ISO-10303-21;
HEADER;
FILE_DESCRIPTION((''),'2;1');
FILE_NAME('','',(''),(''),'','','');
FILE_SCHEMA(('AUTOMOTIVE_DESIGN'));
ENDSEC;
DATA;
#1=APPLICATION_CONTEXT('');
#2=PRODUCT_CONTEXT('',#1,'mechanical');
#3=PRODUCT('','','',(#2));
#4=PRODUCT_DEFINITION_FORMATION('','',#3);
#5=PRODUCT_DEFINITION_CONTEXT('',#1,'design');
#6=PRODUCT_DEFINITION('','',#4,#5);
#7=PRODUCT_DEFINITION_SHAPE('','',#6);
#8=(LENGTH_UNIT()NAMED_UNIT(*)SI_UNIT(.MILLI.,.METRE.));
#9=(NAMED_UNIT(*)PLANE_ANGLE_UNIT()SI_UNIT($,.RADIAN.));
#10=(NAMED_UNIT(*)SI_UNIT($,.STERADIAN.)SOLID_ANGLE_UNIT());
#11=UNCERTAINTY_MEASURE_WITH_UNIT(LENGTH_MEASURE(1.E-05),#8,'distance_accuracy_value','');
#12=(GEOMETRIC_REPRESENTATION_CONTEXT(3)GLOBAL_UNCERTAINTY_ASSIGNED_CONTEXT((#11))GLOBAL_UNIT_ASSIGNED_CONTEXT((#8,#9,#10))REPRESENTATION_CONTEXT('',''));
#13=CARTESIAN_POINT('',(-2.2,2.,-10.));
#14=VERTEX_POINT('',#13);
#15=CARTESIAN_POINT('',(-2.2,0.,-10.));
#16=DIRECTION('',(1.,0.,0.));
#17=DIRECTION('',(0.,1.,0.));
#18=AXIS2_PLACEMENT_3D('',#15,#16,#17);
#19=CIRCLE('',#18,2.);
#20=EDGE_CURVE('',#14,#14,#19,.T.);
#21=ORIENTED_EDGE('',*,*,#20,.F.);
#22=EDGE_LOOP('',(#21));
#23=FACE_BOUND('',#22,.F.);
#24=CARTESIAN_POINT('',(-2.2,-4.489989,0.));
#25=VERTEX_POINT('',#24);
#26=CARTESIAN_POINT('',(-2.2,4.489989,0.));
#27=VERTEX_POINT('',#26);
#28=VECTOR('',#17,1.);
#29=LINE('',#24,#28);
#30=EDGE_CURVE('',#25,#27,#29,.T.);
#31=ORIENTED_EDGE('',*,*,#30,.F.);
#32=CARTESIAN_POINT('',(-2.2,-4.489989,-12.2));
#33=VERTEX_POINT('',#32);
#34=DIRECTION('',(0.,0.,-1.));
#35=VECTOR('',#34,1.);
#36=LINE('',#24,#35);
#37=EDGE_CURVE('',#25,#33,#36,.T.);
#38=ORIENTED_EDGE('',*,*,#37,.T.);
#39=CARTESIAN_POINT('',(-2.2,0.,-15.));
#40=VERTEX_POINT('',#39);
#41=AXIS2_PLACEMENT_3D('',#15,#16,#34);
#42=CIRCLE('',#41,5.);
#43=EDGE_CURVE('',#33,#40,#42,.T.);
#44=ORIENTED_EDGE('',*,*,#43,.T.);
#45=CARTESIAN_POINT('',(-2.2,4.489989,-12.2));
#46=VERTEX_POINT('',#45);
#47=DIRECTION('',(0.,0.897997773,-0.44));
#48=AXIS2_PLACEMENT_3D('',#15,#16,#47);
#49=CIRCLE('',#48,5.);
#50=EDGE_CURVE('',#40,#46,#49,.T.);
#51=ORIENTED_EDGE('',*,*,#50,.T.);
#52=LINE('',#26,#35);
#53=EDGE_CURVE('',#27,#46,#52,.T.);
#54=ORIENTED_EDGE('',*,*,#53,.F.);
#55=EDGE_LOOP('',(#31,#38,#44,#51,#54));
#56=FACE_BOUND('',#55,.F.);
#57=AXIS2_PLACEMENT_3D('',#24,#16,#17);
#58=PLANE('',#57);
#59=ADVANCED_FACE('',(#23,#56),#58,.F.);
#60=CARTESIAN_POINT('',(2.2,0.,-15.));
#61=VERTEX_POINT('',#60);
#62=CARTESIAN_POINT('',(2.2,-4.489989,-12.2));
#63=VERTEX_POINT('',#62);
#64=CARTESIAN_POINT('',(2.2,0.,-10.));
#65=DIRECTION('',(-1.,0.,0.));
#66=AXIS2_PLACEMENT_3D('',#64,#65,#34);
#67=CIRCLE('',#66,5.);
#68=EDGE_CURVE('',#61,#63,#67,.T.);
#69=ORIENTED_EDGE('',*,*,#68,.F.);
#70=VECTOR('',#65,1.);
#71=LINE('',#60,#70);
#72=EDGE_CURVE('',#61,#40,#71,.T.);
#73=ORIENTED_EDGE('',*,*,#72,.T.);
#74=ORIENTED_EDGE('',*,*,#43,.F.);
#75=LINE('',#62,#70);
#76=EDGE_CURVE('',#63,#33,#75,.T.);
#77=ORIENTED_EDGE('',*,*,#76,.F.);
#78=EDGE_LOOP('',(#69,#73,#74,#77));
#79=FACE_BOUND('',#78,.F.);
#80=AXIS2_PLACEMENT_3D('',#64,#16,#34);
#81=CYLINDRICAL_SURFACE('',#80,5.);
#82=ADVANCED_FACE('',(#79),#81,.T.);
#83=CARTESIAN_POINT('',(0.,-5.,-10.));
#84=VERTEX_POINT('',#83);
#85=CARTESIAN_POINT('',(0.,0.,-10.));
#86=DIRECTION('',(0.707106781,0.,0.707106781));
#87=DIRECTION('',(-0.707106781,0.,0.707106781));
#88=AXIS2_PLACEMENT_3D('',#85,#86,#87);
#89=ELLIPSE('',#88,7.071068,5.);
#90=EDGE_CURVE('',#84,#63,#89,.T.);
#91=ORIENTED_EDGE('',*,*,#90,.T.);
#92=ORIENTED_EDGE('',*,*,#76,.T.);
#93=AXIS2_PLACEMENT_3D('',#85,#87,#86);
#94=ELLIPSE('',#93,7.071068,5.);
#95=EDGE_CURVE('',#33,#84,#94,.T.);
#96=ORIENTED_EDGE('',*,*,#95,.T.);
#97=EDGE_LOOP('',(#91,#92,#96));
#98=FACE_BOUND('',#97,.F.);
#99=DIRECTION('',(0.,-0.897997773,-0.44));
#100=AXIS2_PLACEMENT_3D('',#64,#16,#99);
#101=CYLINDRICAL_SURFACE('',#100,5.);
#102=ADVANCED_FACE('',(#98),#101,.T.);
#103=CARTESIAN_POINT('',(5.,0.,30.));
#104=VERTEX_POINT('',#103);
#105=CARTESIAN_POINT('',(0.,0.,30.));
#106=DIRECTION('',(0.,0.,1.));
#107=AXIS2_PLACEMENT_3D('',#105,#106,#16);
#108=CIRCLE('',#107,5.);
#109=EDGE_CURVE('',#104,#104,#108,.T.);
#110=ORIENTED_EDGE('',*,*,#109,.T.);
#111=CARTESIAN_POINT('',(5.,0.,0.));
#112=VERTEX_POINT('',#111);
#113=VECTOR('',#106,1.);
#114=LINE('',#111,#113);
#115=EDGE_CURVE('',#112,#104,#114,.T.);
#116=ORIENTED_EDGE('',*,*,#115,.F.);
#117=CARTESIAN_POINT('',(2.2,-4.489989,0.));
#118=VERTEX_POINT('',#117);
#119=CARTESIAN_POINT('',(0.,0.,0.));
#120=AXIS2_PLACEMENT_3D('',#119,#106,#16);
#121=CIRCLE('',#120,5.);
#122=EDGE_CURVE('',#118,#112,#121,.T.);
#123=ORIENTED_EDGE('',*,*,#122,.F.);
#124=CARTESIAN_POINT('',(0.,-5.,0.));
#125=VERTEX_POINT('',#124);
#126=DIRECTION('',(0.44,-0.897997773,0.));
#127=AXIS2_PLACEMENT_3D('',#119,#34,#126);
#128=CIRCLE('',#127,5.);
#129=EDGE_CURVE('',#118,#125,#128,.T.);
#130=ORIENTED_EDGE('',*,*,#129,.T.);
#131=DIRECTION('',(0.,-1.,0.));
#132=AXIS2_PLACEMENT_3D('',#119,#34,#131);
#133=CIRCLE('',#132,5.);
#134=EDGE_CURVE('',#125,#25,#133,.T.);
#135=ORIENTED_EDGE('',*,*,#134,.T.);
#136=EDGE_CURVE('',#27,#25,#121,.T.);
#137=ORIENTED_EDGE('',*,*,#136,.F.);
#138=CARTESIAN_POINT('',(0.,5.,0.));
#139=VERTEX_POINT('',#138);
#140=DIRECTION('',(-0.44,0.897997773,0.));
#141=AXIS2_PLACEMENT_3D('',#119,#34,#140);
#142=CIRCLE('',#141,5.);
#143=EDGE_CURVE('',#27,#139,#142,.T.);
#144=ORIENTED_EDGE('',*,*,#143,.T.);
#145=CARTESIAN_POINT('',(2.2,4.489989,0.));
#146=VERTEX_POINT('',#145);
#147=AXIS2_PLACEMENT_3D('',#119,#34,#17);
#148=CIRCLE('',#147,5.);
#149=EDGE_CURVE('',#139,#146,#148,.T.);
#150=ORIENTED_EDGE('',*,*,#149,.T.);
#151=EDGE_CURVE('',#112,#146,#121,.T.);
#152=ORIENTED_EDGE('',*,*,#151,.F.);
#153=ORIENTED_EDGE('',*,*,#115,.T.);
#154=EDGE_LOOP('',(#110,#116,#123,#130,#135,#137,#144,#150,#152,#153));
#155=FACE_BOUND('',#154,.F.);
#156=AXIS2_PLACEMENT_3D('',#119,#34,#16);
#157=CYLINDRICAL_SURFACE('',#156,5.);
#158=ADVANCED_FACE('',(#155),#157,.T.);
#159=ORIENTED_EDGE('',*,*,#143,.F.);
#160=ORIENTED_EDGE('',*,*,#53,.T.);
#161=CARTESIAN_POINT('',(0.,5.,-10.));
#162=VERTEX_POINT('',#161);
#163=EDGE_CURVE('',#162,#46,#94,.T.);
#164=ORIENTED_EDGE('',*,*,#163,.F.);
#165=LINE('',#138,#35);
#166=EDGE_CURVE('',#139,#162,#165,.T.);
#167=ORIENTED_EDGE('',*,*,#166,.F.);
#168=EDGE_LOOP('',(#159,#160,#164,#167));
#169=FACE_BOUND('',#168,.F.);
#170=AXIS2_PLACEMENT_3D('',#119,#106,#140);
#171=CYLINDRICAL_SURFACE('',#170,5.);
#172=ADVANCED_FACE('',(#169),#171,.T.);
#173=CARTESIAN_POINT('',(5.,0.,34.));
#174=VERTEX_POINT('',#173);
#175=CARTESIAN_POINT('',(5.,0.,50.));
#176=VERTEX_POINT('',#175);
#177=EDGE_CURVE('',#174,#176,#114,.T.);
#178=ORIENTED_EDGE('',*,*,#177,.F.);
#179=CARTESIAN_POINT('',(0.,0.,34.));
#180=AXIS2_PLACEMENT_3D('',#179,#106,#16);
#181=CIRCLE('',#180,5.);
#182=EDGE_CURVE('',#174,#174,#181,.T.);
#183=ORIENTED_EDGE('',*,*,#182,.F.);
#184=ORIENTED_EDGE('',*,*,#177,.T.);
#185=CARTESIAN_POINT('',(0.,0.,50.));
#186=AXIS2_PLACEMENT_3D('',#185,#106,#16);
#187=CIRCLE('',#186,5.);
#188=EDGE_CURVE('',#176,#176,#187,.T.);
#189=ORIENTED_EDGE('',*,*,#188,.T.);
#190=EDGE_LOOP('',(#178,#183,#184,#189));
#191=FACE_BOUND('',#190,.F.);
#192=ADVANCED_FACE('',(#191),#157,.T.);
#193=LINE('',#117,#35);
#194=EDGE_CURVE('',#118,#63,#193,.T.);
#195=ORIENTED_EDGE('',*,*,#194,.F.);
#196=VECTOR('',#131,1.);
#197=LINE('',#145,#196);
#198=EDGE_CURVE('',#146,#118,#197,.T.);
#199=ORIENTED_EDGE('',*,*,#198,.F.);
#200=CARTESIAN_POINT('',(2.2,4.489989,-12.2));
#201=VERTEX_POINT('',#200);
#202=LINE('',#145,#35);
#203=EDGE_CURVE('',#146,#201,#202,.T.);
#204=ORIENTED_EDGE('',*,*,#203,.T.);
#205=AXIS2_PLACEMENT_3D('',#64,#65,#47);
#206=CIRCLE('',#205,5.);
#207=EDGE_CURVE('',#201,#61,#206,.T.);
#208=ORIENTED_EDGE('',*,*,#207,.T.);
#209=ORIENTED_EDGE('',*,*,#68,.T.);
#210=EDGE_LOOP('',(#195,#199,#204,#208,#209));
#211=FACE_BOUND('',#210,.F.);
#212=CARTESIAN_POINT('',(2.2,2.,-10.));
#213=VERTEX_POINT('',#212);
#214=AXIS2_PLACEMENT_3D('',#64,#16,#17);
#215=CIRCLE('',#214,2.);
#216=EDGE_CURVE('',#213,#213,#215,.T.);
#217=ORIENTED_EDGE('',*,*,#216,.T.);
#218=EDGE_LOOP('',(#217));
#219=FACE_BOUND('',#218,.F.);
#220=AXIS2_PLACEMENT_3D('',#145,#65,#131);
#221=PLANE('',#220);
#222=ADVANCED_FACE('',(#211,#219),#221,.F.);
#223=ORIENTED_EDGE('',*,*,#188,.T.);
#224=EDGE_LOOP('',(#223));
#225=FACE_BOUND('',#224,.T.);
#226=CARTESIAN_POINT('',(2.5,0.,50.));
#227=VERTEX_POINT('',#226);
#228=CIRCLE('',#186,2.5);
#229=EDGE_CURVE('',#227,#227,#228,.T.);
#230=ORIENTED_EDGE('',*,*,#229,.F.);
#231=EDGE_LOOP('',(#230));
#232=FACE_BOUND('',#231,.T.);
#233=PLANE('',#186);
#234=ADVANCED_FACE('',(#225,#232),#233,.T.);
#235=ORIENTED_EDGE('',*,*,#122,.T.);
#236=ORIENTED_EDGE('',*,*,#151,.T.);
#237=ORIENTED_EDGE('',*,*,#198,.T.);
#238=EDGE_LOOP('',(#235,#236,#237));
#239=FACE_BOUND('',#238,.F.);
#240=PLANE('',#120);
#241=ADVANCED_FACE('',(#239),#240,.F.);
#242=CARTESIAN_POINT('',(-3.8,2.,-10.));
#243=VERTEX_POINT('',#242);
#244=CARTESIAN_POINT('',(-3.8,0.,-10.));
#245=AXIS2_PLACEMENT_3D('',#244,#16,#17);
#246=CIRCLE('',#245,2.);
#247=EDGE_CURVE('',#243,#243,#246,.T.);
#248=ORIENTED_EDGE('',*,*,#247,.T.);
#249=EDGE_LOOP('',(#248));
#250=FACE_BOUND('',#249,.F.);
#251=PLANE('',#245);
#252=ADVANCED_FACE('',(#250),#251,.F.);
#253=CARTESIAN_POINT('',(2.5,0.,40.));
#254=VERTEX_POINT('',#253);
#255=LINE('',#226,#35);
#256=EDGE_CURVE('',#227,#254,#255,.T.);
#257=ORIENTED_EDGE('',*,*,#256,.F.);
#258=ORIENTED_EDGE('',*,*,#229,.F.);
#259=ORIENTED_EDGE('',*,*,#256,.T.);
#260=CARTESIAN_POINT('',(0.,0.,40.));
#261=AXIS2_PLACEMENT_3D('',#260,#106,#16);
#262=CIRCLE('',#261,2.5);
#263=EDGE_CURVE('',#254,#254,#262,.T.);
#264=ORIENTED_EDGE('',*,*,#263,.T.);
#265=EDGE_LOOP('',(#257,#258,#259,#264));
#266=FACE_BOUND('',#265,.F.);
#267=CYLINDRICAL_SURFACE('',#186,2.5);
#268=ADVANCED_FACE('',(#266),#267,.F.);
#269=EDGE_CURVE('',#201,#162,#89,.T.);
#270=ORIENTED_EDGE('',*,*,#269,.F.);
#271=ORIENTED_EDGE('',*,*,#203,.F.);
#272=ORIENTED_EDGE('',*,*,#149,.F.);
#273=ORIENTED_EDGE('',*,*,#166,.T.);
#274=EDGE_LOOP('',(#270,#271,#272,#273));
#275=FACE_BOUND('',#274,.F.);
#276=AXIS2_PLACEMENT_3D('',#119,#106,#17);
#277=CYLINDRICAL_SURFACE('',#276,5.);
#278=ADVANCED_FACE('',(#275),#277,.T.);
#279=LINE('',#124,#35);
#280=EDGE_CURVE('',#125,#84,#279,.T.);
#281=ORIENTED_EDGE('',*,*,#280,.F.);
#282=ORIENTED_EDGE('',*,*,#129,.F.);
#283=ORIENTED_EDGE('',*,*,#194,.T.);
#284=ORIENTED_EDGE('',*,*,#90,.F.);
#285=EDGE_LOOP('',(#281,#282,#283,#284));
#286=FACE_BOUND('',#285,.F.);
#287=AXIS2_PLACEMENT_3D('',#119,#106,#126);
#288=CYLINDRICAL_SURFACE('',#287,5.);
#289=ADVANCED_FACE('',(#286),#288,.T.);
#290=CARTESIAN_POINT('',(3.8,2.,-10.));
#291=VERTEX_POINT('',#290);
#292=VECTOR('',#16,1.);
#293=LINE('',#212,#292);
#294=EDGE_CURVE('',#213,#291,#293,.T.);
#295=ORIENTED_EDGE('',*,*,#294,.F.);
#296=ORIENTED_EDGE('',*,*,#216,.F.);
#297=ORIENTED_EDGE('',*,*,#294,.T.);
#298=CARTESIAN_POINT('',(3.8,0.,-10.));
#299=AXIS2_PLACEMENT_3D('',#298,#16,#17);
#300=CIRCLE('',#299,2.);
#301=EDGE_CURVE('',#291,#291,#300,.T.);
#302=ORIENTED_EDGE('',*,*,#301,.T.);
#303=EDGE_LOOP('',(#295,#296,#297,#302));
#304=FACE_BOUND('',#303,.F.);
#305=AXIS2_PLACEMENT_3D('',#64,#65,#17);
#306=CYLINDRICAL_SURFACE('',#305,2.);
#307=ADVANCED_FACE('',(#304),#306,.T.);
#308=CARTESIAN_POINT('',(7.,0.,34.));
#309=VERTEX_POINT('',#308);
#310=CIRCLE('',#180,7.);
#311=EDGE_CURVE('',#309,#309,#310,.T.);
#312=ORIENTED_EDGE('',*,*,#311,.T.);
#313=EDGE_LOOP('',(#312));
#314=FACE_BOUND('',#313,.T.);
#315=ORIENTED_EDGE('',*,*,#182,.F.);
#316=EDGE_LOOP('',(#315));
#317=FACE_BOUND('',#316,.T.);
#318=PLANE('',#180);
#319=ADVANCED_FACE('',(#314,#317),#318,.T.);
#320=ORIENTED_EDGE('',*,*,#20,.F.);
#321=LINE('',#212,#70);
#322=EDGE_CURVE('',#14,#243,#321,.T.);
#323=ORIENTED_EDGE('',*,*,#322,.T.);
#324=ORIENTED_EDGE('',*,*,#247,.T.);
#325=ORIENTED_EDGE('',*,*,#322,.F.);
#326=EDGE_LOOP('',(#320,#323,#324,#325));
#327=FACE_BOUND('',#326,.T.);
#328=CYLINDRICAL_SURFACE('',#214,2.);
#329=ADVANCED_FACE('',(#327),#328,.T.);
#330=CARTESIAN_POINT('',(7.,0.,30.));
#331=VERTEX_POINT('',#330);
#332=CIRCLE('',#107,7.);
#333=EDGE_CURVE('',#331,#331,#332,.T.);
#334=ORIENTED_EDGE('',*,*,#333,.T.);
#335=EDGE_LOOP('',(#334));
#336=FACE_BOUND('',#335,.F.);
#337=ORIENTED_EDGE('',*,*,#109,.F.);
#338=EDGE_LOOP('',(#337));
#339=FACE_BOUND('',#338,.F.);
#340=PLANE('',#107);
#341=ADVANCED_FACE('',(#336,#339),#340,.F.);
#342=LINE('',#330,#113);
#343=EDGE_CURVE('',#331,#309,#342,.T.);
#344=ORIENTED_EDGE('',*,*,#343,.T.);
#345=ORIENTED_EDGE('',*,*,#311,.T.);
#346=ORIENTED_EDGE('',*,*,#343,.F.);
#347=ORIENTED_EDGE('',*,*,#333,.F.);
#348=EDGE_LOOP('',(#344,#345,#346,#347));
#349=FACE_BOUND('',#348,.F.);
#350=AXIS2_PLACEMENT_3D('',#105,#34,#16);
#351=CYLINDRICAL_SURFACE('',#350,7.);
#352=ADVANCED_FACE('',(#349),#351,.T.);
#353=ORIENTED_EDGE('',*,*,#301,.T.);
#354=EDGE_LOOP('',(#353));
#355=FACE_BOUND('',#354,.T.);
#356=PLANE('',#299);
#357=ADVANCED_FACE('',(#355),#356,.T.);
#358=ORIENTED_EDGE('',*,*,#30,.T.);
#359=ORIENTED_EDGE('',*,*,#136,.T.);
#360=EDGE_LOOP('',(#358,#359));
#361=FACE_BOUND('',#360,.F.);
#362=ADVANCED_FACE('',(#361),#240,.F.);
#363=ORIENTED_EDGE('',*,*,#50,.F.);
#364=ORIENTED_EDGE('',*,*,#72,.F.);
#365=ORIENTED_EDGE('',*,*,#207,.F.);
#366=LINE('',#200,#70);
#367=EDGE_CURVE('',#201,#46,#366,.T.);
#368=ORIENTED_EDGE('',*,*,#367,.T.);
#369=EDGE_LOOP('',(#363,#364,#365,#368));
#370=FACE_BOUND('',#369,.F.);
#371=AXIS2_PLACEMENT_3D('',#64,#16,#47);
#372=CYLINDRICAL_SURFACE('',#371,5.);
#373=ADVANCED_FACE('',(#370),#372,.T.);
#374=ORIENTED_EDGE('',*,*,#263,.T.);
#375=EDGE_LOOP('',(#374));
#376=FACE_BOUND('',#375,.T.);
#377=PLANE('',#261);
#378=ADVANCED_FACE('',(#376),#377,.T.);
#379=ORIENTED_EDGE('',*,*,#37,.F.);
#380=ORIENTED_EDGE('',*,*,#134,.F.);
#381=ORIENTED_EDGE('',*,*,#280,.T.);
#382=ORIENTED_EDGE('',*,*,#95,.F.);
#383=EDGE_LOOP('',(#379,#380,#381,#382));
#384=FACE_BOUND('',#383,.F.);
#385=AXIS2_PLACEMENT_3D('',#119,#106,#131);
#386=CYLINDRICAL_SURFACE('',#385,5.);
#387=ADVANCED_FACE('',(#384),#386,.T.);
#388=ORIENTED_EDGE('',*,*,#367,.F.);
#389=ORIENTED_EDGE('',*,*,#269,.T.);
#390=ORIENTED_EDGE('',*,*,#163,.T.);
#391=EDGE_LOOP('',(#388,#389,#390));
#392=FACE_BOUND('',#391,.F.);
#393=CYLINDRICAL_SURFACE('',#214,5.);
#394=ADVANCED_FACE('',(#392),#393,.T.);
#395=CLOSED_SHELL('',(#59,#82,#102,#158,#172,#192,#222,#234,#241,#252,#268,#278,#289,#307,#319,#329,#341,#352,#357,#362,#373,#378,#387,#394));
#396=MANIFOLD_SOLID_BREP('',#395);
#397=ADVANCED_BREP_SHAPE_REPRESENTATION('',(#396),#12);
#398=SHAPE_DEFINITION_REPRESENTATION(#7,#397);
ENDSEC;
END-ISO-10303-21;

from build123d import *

# Parameters (mm, degrees)
F0_R          = 5
F1_DEPTH      = 50
F3_DEPTH      = 15
F5_DEPTH      = 25
F6_R          = 2
F7_DEPTH      = 1.6
F7_DEPTH_BACK = 6
F8_R          = 2.5
F9_DEPTH      = 10
F11_R         = 7
F11_R_2       = 5
F12_DEPTH     = 4


with BuildPart() as f1:
    # F0 (on Top) → F1 (new body)
    with BuildSketch(Plane.XY):
        Circle(F0_R)
    extrude(amount=F1_DEPTH)

    # F2 (on face) → F3 (join)
    with BuildSketch(Plane(origin=(0, 0, 0), x_dir=(1, 0, 0), z_dir=(0, 0, -1))):
        with BuildLine():
            ThreePointArc((2.2, 4.4899888641), (1.1291713066, 4.8708286934), (0, 5))
            ThreePointArc((0, 5), (-1.1291713066, 4.8708286934), (-2.2, 4.4899888641))
            Line((-2.2, 4.4899888641), (-2.2, -4.4899888641))
            ThreePointArc((-2.2, -4.4899888641), (-1.1291713066, -4.8708286934), (0, -5))
            ThreePointArc((0, -5), (1.1291713066, -4.8708286934), (2.2, -4.4899888641))
            Line((2.2, -4.4899888641), (2.2, 4.4899888641))
        make_face()
    extrude(amount=F3_DEPTH)

    # F4 (on face) → F5 (cut)
    with BuildSketch(Plane.YZ.offset(2.2)):
        with BuildLine():
            Line((5, -15), (5, -10))
            ThreePointArc((5, -10), (4.8708286934, -11.1291713066), (4.4899888641, -12.2))
            Line((4.4899888641, -12.2), (4.4899888641, -15))
            Line((4.4899888641, -15), (5, -15))
        make_face()
        with BuildLine():
            Line((4.4899888641, -15), (4.4899888641, -12.2))
            ThreePointArc((4.4899888641, -12.2), (2.6457513111, -14.2426406871), (0, -15))
            Line((0, -15), (4.4899888641, -15))
        make_face()
        with BuildLine():
            Line((-4.4899888641, -15), (0, -15))
            ThreePointArc((0, -15), (-2.6457513111, -14.2426406871), (-4.4899888641, -12.2))
            Line((-4.4899888641, -12.2), (-4.4899888641, -15))
        make_face()
        with BuildLine():
            ThreePointArc((-4.4899888641, -12.2), (-4.8708286934, -11.1291713066), (-5, -10))
            Line((-5, -10), (-5, -15))
            Line((-5, -15), (-4.4899888641, -15))
            Line((-4.4899888641, -15), (-4.4899888641, -12.2))
        make_face()
    extrude(amount=-F5_DEPTH, mode=Mode.SUBTRACT)

    # F6 (on face) → F7 (join, two sides)
    with BuildSketch(Plane.YZ.offset(2.2)) as f7_sk:
        with Locations((0, -10)):
            Circle(F6_R)
    extrude(amount=F7_DEPTH)
    extrude(f7_sk.sketch, amount=-F7_DEPTH_BACK)

    # F8 (on face) → F9 (cut)
    with BuildSketch(Plane.XY.offset(50)):
        Circle(F8_R)
    extrude(amount=-F9_DEPTH, mode=Mode.SUBTRACT)

    # F11 (on offset) → F12 (join)
    with BuildSketch(Plane.XY.offset(30)):
        Circle(F11_R)
        Circle(F11_R_2, mode=Mode.SUBTRACT)
    extrude(amount=F12_DEPTH)


solid = f1.part
